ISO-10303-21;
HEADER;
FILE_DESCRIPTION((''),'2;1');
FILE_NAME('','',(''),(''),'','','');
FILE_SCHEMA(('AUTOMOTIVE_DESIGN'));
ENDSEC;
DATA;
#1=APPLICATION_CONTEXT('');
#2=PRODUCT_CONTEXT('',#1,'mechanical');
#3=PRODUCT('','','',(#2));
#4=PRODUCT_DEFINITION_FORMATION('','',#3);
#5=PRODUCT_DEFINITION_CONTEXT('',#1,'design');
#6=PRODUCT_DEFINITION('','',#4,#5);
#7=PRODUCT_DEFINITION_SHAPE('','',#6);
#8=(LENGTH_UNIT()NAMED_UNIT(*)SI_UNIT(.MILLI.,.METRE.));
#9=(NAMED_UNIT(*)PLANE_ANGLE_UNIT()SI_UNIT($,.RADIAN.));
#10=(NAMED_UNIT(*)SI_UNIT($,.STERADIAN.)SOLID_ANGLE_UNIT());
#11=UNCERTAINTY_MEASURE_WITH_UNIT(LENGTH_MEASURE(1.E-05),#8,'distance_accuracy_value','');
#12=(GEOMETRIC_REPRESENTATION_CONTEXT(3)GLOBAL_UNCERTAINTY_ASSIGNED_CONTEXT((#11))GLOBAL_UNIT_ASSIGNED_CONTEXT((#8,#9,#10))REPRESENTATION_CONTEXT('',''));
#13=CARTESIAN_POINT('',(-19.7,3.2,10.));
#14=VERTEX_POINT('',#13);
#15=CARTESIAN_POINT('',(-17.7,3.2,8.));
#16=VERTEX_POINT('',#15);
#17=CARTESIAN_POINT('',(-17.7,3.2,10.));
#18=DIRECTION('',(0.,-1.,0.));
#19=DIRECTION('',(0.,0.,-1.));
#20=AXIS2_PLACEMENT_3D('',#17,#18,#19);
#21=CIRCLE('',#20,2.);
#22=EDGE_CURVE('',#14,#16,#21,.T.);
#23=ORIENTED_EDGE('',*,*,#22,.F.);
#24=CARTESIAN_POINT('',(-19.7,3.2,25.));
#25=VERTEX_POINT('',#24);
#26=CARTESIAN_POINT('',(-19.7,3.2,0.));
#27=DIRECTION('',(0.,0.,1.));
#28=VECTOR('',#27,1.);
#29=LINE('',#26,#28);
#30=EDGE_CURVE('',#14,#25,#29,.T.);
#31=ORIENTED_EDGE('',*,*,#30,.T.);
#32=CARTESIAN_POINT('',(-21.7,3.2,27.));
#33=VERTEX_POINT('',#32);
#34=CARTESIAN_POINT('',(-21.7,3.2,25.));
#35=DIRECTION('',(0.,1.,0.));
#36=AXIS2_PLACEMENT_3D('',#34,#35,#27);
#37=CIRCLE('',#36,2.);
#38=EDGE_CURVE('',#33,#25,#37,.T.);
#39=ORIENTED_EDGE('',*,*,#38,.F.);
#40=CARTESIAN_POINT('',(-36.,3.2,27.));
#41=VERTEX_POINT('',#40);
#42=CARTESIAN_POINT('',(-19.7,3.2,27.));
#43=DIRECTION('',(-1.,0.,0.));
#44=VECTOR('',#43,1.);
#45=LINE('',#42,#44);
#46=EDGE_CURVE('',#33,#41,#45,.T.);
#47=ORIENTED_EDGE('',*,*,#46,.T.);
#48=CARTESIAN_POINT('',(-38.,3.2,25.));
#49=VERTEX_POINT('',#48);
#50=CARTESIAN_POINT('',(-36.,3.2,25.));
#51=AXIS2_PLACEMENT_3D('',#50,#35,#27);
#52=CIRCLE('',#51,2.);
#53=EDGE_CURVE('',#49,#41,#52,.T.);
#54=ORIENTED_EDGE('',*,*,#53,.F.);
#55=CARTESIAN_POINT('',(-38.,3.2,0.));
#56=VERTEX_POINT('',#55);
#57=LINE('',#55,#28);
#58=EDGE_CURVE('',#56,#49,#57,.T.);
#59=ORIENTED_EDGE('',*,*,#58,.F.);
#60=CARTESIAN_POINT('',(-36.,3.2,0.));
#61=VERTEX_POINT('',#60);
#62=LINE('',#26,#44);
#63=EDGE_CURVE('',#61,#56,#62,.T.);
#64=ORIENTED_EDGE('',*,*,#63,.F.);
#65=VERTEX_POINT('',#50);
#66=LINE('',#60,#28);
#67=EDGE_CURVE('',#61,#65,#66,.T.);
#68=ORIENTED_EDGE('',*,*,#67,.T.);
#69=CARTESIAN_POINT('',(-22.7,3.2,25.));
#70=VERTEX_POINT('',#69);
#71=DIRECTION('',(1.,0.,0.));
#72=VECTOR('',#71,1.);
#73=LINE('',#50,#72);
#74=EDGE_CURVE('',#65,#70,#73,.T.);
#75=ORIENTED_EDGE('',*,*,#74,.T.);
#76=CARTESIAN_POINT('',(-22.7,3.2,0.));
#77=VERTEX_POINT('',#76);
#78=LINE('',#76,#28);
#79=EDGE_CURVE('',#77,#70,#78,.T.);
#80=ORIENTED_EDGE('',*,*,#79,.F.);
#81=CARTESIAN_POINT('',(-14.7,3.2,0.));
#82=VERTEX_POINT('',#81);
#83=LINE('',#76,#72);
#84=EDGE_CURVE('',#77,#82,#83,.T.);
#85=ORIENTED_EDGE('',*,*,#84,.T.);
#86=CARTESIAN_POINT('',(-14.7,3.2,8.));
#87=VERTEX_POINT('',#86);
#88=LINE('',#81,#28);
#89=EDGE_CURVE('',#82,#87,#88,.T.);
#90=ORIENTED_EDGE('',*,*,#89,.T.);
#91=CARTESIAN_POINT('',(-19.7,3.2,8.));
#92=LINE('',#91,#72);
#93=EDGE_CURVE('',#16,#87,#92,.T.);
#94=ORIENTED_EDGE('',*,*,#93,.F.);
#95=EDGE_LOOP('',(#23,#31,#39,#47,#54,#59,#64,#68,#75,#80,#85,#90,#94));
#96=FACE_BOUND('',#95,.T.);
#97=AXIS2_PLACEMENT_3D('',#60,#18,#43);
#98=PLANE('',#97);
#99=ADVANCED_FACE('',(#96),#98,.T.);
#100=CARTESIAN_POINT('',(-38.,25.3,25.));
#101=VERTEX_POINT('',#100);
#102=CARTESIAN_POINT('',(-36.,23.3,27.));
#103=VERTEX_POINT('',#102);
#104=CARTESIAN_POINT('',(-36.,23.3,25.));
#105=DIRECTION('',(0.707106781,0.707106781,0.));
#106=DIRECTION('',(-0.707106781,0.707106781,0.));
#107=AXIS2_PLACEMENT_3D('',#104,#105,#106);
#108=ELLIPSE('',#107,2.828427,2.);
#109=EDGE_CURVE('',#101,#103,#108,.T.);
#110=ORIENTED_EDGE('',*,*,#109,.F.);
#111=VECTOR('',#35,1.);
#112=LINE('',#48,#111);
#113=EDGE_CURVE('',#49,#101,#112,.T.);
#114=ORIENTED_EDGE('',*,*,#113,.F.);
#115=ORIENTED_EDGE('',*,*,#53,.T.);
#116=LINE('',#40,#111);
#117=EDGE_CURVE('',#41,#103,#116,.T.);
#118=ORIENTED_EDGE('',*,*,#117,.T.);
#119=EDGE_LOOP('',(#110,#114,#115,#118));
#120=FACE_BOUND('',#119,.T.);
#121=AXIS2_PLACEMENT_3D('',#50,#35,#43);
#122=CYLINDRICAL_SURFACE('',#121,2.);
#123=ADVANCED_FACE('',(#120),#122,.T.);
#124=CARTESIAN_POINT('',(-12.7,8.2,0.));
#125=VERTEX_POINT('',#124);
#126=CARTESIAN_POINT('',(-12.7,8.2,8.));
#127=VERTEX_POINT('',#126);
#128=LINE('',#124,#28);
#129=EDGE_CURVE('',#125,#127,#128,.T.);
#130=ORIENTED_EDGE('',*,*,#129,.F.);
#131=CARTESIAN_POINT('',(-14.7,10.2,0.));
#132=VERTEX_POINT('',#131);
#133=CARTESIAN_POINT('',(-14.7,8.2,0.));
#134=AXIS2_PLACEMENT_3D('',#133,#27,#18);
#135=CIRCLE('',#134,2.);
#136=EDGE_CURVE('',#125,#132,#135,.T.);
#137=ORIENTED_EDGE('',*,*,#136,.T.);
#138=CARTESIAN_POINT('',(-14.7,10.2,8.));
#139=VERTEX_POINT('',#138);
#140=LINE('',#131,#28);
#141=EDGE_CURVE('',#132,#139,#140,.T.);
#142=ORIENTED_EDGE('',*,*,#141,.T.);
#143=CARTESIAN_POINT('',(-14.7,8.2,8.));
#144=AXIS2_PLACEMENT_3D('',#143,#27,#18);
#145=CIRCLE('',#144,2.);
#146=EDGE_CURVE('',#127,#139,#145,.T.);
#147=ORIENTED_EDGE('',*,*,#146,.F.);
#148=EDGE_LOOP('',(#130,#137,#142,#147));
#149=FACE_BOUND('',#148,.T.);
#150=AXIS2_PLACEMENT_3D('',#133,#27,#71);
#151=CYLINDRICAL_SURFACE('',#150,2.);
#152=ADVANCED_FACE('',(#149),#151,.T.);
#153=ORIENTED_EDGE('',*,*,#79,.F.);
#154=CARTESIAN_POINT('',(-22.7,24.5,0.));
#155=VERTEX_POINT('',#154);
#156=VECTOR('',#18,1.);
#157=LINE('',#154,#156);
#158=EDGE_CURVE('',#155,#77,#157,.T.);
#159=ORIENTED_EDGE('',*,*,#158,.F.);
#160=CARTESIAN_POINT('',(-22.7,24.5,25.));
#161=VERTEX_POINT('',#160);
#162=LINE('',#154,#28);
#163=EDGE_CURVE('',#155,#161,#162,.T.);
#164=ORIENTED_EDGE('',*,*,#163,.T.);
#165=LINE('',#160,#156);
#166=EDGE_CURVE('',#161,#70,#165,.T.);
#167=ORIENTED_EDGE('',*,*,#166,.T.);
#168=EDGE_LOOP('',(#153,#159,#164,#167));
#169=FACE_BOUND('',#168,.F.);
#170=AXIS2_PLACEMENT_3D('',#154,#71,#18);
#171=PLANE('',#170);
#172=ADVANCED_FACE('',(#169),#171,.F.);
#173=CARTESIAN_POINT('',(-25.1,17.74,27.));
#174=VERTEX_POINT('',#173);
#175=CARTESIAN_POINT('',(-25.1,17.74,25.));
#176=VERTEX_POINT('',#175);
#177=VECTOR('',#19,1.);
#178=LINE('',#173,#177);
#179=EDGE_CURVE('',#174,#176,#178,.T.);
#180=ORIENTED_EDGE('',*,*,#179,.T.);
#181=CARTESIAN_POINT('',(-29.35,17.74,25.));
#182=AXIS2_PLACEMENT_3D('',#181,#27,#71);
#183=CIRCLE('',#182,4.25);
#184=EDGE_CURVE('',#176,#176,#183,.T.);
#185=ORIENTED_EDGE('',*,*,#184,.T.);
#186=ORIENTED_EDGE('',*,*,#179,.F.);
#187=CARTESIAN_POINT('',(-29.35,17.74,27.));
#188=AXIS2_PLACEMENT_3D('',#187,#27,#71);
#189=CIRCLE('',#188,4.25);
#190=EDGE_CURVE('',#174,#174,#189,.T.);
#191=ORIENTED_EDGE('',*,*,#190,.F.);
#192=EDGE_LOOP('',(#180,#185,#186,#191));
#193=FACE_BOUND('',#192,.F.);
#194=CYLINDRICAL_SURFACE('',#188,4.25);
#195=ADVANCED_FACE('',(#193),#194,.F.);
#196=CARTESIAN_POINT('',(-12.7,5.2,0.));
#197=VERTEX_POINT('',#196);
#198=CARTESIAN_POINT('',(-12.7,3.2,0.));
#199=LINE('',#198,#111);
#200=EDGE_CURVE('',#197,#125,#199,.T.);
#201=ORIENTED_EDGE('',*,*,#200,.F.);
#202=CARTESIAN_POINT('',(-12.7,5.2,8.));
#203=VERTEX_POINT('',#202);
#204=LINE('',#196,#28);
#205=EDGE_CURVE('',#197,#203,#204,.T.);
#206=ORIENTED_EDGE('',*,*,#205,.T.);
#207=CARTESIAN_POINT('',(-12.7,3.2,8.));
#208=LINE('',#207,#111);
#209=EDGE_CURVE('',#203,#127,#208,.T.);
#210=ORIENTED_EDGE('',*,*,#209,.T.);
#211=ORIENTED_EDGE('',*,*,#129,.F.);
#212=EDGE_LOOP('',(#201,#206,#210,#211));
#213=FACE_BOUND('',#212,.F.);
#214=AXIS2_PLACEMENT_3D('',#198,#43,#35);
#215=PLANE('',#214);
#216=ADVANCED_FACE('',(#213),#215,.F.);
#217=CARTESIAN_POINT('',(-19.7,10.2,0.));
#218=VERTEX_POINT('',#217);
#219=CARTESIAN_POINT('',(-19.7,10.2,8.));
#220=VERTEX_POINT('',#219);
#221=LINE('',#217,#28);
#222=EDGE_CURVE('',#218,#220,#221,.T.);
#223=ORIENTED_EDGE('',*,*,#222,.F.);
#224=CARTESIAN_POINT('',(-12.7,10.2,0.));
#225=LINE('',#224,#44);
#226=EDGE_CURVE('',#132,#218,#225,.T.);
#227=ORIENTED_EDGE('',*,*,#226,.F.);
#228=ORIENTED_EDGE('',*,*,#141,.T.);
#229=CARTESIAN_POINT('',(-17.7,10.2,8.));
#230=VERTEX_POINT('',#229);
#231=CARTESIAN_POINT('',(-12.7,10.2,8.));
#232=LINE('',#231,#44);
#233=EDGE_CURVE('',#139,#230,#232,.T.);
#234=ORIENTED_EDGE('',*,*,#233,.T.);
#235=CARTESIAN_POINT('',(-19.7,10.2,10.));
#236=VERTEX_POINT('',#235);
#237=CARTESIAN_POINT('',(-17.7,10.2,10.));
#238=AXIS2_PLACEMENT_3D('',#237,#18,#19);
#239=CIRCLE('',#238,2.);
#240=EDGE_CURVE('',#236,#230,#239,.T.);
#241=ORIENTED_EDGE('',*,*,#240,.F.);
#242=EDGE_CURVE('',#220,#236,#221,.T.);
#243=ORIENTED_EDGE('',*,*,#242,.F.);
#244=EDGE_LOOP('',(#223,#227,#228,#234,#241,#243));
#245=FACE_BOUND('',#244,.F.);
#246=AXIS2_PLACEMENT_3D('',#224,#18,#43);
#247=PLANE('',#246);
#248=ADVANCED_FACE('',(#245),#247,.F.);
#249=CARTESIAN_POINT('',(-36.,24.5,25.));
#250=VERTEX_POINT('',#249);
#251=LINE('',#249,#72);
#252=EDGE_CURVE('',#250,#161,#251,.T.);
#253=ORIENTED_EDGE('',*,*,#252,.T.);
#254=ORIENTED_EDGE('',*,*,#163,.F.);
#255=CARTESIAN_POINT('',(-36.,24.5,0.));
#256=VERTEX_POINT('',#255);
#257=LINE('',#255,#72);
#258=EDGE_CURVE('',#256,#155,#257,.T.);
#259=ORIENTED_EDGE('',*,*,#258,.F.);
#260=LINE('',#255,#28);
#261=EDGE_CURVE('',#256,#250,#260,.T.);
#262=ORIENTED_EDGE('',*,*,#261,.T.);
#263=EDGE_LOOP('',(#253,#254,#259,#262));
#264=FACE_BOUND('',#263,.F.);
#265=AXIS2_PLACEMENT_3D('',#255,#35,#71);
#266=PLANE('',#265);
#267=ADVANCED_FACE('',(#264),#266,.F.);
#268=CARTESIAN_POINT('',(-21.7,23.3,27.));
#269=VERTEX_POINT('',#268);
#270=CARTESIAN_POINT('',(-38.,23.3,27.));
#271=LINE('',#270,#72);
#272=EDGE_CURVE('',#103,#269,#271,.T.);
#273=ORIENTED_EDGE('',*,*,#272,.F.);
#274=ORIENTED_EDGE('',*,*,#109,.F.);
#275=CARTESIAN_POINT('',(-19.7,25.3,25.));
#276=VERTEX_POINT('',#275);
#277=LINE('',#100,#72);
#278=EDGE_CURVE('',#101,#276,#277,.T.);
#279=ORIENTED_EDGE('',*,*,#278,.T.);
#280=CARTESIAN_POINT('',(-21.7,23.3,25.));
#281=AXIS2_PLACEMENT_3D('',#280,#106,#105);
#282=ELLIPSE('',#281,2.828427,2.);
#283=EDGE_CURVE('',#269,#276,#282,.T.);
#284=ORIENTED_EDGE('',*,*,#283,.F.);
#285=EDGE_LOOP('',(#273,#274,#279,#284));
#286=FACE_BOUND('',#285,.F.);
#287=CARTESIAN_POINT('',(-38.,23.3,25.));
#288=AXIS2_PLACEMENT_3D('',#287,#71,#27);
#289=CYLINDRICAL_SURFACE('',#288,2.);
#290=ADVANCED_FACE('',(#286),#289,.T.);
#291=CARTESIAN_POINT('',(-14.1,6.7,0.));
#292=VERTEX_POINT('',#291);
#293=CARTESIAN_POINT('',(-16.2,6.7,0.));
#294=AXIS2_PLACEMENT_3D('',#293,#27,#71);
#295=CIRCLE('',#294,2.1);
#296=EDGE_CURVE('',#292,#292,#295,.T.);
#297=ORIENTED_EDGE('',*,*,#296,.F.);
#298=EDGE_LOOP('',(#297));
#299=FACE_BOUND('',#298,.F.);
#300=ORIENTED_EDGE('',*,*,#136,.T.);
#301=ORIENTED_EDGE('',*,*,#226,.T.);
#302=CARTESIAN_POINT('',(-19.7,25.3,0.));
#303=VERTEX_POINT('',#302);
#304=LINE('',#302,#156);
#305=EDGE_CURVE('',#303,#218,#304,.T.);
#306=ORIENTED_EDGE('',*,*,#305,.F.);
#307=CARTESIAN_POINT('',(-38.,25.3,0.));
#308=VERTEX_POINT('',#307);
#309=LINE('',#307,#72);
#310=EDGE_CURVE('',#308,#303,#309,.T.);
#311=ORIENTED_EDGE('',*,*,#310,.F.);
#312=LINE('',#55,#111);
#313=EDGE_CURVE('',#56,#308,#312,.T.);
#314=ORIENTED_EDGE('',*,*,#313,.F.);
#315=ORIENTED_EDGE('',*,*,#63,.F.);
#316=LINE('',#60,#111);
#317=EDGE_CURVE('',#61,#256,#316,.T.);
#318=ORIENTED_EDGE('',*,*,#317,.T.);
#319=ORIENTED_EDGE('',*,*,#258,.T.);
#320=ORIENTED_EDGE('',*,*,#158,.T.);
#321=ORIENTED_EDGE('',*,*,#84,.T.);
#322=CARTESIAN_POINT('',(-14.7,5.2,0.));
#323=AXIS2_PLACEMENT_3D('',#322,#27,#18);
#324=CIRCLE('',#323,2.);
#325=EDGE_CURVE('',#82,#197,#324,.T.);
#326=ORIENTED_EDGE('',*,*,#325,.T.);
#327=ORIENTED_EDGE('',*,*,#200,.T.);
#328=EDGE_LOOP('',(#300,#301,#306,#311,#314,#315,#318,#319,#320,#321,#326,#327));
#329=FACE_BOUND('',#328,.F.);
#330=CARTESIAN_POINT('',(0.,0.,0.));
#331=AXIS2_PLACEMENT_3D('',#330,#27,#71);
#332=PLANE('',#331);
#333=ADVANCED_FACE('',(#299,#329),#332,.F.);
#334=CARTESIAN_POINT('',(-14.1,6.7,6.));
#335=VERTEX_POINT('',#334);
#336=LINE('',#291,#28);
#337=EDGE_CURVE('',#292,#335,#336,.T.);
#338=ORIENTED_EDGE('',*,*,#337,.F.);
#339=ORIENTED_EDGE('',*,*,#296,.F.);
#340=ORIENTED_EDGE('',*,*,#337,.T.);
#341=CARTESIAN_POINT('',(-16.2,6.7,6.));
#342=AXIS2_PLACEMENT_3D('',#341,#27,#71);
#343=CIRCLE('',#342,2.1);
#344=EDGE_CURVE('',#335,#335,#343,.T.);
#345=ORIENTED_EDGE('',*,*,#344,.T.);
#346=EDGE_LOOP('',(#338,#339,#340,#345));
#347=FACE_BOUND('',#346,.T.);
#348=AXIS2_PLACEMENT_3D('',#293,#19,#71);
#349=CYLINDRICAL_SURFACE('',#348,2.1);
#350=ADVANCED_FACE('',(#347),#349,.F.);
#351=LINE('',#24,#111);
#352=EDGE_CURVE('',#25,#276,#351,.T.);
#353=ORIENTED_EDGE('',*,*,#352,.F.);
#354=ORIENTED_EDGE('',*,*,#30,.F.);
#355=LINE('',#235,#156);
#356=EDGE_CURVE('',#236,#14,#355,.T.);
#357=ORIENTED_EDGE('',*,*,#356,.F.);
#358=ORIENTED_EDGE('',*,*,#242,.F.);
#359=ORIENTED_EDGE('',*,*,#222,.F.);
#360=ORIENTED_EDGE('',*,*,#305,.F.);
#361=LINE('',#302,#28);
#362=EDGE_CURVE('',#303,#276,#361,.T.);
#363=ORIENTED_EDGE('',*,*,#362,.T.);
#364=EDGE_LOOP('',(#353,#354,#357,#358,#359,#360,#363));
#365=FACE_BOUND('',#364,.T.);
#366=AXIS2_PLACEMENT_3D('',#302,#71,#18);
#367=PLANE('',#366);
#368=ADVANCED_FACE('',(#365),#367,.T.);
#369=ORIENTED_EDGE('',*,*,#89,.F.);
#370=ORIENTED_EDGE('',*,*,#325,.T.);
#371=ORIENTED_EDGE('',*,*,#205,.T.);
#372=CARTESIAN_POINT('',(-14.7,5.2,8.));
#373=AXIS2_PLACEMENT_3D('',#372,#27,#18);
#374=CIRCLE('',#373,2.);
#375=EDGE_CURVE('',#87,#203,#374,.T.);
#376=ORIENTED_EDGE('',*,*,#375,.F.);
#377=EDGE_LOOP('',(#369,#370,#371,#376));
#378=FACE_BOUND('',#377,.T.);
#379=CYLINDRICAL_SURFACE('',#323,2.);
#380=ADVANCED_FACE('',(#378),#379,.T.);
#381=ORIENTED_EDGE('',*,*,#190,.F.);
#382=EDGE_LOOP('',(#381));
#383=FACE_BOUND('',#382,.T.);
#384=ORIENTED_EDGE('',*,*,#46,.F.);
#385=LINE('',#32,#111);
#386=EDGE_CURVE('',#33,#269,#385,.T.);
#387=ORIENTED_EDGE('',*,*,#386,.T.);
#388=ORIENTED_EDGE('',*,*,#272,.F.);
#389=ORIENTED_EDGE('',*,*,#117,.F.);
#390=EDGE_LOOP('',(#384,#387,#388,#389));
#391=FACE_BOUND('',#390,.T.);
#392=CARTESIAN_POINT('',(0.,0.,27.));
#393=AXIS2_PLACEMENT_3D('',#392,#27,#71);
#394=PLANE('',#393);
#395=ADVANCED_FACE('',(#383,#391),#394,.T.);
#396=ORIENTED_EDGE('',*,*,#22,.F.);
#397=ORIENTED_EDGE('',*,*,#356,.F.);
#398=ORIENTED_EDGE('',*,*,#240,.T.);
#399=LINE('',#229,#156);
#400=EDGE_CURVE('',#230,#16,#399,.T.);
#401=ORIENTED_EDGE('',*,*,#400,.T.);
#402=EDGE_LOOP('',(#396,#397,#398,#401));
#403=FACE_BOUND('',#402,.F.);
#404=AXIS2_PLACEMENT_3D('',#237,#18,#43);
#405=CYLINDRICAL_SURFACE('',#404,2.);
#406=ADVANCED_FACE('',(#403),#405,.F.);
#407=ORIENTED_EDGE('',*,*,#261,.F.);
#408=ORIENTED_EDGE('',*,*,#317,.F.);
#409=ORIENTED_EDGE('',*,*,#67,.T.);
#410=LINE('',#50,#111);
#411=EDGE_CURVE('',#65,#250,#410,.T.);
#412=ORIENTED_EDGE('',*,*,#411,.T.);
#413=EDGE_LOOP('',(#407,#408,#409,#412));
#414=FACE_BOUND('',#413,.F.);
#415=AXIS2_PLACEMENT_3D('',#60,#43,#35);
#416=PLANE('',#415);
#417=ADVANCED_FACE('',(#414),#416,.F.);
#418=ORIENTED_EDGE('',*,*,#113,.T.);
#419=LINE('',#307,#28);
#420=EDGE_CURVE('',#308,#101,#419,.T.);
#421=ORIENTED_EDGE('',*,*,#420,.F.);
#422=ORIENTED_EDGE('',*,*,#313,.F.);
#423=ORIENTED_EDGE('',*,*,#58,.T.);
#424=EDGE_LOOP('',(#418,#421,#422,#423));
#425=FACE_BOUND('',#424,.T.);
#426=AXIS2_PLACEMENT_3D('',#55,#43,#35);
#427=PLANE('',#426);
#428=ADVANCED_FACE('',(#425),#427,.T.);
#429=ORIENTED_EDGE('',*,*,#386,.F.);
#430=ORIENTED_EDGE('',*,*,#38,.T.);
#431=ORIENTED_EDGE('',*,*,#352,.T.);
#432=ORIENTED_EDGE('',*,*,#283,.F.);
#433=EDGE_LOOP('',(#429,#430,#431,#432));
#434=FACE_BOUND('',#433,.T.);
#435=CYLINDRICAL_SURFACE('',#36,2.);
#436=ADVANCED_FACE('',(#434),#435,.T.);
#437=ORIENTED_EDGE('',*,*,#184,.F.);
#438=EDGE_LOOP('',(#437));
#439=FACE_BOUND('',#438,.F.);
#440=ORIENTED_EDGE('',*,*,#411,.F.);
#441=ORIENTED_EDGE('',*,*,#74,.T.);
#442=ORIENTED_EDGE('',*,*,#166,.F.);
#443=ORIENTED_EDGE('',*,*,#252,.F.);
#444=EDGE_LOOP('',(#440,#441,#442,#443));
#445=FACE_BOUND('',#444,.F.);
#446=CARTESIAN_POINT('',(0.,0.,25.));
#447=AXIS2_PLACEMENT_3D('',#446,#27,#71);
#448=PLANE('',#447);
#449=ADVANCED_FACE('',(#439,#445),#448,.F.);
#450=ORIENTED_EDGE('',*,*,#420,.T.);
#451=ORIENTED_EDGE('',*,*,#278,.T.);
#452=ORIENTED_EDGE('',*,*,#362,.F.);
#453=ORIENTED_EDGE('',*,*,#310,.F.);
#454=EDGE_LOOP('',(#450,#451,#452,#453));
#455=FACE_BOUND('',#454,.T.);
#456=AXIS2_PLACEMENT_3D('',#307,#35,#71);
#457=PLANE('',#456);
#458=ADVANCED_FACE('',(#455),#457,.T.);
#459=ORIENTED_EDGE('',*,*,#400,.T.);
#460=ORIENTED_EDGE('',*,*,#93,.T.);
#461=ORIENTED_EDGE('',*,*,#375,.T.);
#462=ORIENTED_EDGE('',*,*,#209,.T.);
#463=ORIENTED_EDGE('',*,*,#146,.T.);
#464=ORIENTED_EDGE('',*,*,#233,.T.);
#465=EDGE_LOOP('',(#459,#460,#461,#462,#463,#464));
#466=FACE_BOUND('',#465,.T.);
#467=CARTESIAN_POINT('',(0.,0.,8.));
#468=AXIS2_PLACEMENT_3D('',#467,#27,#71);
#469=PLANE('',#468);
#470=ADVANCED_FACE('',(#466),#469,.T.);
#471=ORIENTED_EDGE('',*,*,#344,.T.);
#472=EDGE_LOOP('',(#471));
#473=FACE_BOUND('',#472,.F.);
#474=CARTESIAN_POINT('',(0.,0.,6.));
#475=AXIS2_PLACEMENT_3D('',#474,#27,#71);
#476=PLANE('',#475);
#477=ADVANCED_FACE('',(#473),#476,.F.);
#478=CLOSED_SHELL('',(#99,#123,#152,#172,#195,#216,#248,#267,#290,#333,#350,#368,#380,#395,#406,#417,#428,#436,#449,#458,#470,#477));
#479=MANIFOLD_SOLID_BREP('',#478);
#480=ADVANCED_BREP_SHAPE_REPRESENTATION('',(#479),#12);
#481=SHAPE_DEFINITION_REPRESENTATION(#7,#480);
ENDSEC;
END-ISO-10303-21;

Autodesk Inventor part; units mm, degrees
ref_plane "YZ Plane" through (0, 0, 0) normal (1, 0, 0) x (0, 1, 0)
ref_plane "XZ Plane" through (0, 0, 0) normal (0, 1, 0) x (-1, 0, 0)
ref_plane "XY Plane" through (0, 0, 0) normal (0, 0, 1) x (1, 0, 0)
sketch "Эскиз1" plane through (0, 0, 0) normal (0, 0, 1) x (1, 0, 0)
  line L0 (0, 0) -> (-38, 0) construction
  line L1 (-38, 0) -> (-38, 25) construction
  line L2 (-38, 25) -> (0, 25) construction
  line L3 (0, 25) -> (0, 0) construction
  line L4 (-38, 25) -> (-35, 25) construction
  line L5 (-35, 25) -> (-35, 23.5) construction
  line L6 (-35, 23.5) -> (-38, 23.5) construction
  line L7 (-38, 23.5) -> (-38, 25) construction
  line L8 (-35, 23.5) -> (-23.7, 23.5)
  line L9 (-23.7, 23.5) -> (-23.7, 3.2)
  line L10 (-23.7, 3.2) -> (-35, 3.2)
  line L11 (-35, 3.2) -> (-35, 23.5)
  line L12 (-35, 25) -> (-35, 25.3) construction
  line L13 (-35, 25.3) -> (-38, 25.3) construction
  line L14 (-35, 23.5) -> (-36, 23.5) construction
  line L15 (-36, 23.5) -> (-36, 24.5) construction
  line L16 (-36, 24.5) -> (-35, 24.5) construction
  line L17 (-35, 24.5) -> (-35, 23.5) construction
  line L18 (-36, 24.5) -> (-22.7, 24.5)
  line L19 (-22.7, 24.5) -> (-22.7, 3.2)
  line L20 (-22.7, 3.2) -> (-36, 3.2)
  line L21 (-36, 3.2) -> (-36, 24.5)
  line L22 (-38, 25.3) -> (-19.7, 25.3)
  line L23 (-19.7, 25.3) -> (-19.7, 3.2)
  line L24 (-19.7, 3.2) -> (-38, 3.2)
  line L25 (-38, 3.2) -> (-38, 25.3)
  line L26 (-23.7, 23.5) -> (-35, 23.5) construction
  line L27 (-35, 23.5) -> (-35, 17.74) construction
  line L28 (-35, 17.74) -> (-23.7, 17.74) construction
  line L29 (-23.7, 17.74) -> (-23.7, 23.5) construction
  circle A0 centre (-29.35, 17.74) radius 4.25
  line L30 (-19.7, 3.2) -> (-12.7, 3.2)
  line L31 (-12.7, 3.2) -> (-12.7, 10.2)
  line L32 (-12.7, 10.2) -> (-19.7, 10.2)
  line L33 (-19.7, 10.2) -> (-19.7, 3.2)
  line L34 (-16.2, 10.2) -> (-16.2, 3.2) construction
  line L35 (-12.7, 6.7) -> (-19.7, 6.7) construction
  circle A1 centre (-16.2, 6.7) radius 2.1
  line L36 (-29.35, 17.74) -> (-29.35, 18.74)
  point P0 (-23.7, 3.2)
  dimension "d0" = 38
  dimension "d1" = 25
  dimension "d2" = 3
  dimension "d3" = 1.5
  dimension "d4" = 11.3
  dimension "d5" = 20.3
  dimension "d6" = 0.3
  dimension "d7" = 1
  dimension "d8" = 1
  dimension "d9" = 13.3
  dimension "d10" = 21.3
  dimension "d11" = 18.3
  dimension "d12" = 5.76
  dimension "d13" = 8.5
  dimension "d19" = 7
  dimension "d20" = 7
  dimension "d21" = 4.2
  dimension "d27" = 1
extrude "Выдавливание1" add sketch "Эскиз1" along normal blind 27 contours L24 L25 L22 L23 L19 L18 L21
extrude "Выдавливание2" add sketch "Эскиз1" against normal blind 2 from surface at 27 contours L11 L20 L21 L18 L19 L9 L8 | L8 L9 L10 L11
fillet "Сопряжение1" radius 2 3 edges at (-38, 14.25, 27) (-28.85, 25.3, 27) (-19.7, 14.25, 27)
extrude "Выдавливание3" add sketch "Эскиз1" along normal blind 8 contours L23 L32 L31 L30 | A1
extrude "Выдавливание4" cut sketch "Эскиз1" along normal blind 6 contours A1
fillet "Сопряжение2" radius 2 3 edges at (-12.7, 10.2, 4) (-12.7, 3.2, 4) (-19.7, 6.7, 8)
properties part number "fast_switch"
